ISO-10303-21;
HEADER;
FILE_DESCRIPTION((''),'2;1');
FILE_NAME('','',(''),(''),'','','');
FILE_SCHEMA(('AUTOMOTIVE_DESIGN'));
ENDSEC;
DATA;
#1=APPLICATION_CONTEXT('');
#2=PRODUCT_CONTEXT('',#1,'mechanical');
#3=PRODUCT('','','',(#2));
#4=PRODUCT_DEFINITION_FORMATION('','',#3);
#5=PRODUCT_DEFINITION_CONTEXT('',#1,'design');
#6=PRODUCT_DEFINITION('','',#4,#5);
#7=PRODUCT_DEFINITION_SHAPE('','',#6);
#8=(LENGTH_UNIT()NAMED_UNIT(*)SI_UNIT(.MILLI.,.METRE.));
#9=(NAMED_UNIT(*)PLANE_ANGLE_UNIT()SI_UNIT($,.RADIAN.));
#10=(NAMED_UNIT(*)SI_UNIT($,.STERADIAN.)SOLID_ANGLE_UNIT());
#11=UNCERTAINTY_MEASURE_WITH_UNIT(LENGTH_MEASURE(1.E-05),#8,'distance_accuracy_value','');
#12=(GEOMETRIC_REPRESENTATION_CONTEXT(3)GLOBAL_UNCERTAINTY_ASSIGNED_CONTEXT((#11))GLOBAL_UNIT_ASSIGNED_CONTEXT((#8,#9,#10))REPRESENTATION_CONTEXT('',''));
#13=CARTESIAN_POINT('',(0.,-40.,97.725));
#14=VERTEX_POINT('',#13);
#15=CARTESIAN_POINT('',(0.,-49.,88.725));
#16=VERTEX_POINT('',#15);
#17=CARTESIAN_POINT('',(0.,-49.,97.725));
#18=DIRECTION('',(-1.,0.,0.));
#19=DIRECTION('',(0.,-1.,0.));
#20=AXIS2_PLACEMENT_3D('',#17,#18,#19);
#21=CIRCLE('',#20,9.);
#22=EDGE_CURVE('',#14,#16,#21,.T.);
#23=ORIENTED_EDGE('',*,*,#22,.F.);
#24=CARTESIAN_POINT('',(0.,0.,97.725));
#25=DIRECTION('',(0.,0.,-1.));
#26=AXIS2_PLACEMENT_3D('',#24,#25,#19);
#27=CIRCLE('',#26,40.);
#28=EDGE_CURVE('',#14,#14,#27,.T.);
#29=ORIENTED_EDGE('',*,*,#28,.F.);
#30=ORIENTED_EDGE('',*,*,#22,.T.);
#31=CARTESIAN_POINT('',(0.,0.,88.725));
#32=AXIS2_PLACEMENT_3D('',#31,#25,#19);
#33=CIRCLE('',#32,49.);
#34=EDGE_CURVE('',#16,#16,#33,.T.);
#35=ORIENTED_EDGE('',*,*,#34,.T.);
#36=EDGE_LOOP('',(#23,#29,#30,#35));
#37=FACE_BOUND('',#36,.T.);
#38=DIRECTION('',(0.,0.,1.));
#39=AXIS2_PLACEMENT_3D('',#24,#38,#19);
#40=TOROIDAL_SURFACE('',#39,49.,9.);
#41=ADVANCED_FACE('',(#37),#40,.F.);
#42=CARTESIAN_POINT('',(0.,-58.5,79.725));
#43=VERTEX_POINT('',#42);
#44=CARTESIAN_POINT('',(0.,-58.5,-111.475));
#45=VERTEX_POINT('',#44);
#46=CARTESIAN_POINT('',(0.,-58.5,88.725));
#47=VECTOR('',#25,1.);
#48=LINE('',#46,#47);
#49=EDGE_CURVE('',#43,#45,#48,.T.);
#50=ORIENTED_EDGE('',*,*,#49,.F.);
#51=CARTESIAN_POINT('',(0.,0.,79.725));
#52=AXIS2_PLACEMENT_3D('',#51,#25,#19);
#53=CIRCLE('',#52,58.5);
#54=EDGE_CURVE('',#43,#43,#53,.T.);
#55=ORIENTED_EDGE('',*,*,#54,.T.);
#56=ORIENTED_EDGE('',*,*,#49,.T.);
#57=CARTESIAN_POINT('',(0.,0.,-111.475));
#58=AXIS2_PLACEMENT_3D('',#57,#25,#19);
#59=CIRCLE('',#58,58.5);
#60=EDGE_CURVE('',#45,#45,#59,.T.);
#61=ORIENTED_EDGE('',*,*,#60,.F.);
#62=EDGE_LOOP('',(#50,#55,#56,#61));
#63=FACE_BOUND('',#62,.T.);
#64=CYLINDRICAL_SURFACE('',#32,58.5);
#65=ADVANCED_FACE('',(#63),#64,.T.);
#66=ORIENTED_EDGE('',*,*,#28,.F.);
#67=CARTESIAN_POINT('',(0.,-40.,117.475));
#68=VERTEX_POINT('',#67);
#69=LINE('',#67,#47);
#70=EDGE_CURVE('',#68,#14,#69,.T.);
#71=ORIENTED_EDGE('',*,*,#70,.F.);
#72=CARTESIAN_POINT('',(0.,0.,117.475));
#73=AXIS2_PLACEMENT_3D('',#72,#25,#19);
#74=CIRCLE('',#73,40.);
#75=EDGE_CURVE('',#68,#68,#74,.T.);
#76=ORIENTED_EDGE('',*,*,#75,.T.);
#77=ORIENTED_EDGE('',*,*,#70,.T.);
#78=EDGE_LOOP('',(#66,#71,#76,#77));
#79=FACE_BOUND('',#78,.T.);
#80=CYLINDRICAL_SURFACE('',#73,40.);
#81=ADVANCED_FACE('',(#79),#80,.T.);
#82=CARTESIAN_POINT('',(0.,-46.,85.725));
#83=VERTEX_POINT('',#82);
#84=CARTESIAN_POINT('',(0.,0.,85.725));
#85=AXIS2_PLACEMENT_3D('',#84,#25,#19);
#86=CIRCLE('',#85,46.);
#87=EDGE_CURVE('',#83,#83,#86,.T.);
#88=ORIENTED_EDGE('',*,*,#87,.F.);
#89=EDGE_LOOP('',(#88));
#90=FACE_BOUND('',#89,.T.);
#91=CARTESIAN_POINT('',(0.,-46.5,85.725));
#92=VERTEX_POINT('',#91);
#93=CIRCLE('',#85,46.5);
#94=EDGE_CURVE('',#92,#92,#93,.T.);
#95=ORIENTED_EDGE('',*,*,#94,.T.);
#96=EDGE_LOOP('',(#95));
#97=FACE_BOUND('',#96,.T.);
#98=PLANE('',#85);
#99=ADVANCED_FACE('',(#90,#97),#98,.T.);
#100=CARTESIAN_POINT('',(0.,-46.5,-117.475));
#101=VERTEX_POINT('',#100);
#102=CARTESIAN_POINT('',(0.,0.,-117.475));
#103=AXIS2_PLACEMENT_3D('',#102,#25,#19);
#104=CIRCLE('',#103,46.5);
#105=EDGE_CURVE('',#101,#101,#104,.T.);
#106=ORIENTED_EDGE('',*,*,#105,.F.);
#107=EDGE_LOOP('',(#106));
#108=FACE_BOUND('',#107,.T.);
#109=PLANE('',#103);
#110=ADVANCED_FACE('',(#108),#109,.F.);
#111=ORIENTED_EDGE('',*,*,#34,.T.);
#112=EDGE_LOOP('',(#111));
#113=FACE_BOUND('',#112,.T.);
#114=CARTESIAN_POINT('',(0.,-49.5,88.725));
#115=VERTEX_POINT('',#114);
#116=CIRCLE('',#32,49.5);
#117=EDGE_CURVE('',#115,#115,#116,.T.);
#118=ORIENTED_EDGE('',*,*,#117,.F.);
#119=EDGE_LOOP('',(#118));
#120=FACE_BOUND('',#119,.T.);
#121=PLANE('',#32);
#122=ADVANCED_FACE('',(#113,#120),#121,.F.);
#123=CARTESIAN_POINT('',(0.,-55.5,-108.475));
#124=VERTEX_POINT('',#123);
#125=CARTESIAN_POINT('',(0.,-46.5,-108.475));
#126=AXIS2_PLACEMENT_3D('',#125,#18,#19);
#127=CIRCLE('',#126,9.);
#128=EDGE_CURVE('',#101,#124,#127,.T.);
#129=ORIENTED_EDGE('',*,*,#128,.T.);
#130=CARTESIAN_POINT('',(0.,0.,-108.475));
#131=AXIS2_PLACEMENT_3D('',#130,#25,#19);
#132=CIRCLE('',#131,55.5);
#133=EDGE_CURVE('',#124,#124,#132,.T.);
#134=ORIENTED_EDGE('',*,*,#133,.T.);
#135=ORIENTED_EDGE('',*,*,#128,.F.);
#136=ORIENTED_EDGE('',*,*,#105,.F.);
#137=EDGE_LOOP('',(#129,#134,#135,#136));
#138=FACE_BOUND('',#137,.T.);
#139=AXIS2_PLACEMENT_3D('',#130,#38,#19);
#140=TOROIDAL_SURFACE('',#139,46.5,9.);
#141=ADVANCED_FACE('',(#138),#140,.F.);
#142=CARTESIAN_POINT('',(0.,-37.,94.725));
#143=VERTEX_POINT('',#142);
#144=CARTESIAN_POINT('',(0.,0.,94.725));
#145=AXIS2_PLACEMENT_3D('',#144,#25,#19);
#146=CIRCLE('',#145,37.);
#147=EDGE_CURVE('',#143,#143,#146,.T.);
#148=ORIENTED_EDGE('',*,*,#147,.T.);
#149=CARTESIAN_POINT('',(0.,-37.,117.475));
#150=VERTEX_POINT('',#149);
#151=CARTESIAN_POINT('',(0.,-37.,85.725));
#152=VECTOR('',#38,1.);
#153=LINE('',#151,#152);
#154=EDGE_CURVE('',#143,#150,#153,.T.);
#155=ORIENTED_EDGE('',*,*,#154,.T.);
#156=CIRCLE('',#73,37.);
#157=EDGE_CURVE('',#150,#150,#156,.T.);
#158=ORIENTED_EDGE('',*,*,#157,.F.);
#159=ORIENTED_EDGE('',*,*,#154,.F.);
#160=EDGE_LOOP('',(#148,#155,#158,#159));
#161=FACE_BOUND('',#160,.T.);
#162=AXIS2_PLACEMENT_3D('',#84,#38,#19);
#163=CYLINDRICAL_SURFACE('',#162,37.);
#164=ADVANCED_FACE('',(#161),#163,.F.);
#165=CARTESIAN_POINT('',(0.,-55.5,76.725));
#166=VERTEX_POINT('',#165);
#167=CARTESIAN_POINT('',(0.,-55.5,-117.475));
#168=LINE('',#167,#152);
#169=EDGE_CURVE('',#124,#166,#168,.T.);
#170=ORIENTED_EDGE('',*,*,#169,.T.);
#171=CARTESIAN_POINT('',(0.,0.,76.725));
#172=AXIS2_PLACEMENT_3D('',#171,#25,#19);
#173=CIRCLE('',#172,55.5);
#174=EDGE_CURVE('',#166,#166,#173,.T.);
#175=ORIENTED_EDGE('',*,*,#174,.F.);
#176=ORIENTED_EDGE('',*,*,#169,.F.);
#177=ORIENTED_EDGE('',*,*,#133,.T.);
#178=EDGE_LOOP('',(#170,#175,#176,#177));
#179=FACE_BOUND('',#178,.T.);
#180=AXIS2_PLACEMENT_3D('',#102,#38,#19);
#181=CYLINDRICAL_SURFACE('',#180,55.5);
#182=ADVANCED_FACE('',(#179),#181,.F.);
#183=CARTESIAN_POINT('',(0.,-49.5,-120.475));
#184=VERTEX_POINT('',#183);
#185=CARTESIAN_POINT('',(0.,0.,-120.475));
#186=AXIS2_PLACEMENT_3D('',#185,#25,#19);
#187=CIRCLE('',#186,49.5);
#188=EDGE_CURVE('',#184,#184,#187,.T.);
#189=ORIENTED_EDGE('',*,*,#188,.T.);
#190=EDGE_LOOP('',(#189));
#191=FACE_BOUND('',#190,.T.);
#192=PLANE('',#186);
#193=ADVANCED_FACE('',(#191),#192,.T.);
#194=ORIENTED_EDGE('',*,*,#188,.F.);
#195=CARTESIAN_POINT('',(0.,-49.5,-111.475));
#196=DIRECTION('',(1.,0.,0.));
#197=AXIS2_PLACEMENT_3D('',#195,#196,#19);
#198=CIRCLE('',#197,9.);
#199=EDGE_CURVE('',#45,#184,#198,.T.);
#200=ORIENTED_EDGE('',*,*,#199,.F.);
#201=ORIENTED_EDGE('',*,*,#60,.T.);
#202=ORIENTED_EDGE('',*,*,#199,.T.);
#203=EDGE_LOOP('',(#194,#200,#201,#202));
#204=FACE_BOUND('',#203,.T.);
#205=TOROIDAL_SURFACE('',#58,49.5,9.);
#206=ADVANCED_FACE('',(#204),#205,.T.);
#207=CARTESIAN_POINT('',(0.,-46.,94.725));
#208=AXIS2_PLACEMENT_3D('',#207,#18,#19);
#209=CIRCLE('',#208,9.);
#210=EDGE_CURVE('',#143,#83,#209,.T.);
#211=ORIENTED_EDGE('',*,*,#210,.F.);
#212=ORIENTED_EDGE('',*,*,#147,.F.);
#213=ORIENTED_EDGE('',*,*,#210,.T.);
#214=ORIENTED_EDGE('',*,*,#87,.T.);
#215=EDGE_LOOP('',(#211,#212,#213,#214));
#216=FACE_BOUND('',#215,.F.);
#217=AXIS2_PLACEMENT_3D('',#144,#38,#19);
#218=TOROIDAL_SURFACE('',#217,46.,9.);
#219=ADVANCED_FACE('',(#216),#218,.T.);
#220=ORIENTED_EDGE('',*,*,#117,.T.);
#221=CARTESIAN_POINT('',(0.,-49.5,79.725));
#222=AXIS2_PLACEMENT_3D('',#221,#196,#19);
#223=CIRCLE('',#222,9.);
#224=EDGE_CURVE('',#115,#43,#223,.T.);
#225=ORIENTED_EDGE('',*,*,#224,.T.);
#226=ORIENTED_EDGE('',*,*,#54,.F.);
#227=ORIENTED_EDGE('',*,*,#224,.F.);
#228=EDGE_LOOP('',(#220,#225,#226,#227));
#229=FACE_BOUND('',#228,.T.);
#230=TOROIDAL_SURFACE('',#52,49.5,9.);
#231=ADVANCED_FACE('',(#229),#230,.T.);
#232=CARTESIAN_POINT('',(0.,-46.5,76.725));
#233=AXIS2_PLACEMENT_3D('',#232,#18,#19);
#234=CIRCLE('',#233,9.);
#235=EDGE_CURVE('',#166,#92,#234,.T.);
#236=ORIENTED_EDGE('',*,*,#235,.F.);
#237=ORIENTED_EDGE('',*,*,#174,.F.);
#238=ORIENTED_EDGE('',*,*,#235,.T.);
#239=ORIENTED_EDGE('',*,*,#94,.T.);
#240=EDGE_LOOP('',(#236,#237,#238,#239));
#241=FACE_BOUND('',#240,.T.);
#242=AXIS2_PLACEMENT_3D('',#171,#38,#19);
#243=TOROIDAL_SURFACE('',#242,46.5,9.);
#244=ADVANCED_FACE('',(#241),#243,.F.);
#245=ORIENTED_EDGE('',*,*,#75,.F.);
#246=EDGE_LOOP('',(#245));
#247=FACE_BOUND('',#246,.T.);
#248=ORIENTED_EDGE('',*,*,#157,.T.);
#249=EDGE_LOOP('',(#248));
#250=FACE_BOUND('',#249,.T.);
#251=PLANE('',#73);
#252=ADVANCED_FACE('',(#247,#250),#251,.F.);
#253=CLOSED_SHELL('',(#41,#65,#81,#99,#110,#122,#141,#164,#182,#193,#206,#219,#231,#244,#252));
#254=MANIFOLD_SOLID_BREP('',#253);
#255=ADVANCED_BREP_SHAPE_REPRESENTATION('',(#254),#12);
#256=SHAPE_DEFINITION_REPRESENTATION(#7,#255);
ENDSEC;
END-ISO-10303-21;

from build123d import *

# Parameters (mm, degrees)
F2_R = 9


with BuildPart() as f1:
    # F0 (on Right) → F1 (revolve)
    with BuildSketch(Plane.YZ):
        Polygon((-37, 85.725), (-37, 117.475), (-40, 117.475), (-40, 88.725), (-58.5, 88.725), (-58.5, -120.475), (0, -120.475), (0, -117.475), (-55.5, -117.475), (-55.5, 85.725), align=None)
    revolve(axis=Axis((0, 0, 0), (0, 0, -1)))

    # F2
    f2_edges = [f1.edges().sort_by_distance(p)[0] for p in [
        (0, 55.5, 85.725),
        (0, 37, 85.725),
        (0, 40, 88.725),
        (0, 58.5, 88.725),
        (0, 58.5, -120.475),
        (0, 55.5, -117.475),
    ]]
    fillet(f2_edges, radius=F2_R)


solid = f1.part
